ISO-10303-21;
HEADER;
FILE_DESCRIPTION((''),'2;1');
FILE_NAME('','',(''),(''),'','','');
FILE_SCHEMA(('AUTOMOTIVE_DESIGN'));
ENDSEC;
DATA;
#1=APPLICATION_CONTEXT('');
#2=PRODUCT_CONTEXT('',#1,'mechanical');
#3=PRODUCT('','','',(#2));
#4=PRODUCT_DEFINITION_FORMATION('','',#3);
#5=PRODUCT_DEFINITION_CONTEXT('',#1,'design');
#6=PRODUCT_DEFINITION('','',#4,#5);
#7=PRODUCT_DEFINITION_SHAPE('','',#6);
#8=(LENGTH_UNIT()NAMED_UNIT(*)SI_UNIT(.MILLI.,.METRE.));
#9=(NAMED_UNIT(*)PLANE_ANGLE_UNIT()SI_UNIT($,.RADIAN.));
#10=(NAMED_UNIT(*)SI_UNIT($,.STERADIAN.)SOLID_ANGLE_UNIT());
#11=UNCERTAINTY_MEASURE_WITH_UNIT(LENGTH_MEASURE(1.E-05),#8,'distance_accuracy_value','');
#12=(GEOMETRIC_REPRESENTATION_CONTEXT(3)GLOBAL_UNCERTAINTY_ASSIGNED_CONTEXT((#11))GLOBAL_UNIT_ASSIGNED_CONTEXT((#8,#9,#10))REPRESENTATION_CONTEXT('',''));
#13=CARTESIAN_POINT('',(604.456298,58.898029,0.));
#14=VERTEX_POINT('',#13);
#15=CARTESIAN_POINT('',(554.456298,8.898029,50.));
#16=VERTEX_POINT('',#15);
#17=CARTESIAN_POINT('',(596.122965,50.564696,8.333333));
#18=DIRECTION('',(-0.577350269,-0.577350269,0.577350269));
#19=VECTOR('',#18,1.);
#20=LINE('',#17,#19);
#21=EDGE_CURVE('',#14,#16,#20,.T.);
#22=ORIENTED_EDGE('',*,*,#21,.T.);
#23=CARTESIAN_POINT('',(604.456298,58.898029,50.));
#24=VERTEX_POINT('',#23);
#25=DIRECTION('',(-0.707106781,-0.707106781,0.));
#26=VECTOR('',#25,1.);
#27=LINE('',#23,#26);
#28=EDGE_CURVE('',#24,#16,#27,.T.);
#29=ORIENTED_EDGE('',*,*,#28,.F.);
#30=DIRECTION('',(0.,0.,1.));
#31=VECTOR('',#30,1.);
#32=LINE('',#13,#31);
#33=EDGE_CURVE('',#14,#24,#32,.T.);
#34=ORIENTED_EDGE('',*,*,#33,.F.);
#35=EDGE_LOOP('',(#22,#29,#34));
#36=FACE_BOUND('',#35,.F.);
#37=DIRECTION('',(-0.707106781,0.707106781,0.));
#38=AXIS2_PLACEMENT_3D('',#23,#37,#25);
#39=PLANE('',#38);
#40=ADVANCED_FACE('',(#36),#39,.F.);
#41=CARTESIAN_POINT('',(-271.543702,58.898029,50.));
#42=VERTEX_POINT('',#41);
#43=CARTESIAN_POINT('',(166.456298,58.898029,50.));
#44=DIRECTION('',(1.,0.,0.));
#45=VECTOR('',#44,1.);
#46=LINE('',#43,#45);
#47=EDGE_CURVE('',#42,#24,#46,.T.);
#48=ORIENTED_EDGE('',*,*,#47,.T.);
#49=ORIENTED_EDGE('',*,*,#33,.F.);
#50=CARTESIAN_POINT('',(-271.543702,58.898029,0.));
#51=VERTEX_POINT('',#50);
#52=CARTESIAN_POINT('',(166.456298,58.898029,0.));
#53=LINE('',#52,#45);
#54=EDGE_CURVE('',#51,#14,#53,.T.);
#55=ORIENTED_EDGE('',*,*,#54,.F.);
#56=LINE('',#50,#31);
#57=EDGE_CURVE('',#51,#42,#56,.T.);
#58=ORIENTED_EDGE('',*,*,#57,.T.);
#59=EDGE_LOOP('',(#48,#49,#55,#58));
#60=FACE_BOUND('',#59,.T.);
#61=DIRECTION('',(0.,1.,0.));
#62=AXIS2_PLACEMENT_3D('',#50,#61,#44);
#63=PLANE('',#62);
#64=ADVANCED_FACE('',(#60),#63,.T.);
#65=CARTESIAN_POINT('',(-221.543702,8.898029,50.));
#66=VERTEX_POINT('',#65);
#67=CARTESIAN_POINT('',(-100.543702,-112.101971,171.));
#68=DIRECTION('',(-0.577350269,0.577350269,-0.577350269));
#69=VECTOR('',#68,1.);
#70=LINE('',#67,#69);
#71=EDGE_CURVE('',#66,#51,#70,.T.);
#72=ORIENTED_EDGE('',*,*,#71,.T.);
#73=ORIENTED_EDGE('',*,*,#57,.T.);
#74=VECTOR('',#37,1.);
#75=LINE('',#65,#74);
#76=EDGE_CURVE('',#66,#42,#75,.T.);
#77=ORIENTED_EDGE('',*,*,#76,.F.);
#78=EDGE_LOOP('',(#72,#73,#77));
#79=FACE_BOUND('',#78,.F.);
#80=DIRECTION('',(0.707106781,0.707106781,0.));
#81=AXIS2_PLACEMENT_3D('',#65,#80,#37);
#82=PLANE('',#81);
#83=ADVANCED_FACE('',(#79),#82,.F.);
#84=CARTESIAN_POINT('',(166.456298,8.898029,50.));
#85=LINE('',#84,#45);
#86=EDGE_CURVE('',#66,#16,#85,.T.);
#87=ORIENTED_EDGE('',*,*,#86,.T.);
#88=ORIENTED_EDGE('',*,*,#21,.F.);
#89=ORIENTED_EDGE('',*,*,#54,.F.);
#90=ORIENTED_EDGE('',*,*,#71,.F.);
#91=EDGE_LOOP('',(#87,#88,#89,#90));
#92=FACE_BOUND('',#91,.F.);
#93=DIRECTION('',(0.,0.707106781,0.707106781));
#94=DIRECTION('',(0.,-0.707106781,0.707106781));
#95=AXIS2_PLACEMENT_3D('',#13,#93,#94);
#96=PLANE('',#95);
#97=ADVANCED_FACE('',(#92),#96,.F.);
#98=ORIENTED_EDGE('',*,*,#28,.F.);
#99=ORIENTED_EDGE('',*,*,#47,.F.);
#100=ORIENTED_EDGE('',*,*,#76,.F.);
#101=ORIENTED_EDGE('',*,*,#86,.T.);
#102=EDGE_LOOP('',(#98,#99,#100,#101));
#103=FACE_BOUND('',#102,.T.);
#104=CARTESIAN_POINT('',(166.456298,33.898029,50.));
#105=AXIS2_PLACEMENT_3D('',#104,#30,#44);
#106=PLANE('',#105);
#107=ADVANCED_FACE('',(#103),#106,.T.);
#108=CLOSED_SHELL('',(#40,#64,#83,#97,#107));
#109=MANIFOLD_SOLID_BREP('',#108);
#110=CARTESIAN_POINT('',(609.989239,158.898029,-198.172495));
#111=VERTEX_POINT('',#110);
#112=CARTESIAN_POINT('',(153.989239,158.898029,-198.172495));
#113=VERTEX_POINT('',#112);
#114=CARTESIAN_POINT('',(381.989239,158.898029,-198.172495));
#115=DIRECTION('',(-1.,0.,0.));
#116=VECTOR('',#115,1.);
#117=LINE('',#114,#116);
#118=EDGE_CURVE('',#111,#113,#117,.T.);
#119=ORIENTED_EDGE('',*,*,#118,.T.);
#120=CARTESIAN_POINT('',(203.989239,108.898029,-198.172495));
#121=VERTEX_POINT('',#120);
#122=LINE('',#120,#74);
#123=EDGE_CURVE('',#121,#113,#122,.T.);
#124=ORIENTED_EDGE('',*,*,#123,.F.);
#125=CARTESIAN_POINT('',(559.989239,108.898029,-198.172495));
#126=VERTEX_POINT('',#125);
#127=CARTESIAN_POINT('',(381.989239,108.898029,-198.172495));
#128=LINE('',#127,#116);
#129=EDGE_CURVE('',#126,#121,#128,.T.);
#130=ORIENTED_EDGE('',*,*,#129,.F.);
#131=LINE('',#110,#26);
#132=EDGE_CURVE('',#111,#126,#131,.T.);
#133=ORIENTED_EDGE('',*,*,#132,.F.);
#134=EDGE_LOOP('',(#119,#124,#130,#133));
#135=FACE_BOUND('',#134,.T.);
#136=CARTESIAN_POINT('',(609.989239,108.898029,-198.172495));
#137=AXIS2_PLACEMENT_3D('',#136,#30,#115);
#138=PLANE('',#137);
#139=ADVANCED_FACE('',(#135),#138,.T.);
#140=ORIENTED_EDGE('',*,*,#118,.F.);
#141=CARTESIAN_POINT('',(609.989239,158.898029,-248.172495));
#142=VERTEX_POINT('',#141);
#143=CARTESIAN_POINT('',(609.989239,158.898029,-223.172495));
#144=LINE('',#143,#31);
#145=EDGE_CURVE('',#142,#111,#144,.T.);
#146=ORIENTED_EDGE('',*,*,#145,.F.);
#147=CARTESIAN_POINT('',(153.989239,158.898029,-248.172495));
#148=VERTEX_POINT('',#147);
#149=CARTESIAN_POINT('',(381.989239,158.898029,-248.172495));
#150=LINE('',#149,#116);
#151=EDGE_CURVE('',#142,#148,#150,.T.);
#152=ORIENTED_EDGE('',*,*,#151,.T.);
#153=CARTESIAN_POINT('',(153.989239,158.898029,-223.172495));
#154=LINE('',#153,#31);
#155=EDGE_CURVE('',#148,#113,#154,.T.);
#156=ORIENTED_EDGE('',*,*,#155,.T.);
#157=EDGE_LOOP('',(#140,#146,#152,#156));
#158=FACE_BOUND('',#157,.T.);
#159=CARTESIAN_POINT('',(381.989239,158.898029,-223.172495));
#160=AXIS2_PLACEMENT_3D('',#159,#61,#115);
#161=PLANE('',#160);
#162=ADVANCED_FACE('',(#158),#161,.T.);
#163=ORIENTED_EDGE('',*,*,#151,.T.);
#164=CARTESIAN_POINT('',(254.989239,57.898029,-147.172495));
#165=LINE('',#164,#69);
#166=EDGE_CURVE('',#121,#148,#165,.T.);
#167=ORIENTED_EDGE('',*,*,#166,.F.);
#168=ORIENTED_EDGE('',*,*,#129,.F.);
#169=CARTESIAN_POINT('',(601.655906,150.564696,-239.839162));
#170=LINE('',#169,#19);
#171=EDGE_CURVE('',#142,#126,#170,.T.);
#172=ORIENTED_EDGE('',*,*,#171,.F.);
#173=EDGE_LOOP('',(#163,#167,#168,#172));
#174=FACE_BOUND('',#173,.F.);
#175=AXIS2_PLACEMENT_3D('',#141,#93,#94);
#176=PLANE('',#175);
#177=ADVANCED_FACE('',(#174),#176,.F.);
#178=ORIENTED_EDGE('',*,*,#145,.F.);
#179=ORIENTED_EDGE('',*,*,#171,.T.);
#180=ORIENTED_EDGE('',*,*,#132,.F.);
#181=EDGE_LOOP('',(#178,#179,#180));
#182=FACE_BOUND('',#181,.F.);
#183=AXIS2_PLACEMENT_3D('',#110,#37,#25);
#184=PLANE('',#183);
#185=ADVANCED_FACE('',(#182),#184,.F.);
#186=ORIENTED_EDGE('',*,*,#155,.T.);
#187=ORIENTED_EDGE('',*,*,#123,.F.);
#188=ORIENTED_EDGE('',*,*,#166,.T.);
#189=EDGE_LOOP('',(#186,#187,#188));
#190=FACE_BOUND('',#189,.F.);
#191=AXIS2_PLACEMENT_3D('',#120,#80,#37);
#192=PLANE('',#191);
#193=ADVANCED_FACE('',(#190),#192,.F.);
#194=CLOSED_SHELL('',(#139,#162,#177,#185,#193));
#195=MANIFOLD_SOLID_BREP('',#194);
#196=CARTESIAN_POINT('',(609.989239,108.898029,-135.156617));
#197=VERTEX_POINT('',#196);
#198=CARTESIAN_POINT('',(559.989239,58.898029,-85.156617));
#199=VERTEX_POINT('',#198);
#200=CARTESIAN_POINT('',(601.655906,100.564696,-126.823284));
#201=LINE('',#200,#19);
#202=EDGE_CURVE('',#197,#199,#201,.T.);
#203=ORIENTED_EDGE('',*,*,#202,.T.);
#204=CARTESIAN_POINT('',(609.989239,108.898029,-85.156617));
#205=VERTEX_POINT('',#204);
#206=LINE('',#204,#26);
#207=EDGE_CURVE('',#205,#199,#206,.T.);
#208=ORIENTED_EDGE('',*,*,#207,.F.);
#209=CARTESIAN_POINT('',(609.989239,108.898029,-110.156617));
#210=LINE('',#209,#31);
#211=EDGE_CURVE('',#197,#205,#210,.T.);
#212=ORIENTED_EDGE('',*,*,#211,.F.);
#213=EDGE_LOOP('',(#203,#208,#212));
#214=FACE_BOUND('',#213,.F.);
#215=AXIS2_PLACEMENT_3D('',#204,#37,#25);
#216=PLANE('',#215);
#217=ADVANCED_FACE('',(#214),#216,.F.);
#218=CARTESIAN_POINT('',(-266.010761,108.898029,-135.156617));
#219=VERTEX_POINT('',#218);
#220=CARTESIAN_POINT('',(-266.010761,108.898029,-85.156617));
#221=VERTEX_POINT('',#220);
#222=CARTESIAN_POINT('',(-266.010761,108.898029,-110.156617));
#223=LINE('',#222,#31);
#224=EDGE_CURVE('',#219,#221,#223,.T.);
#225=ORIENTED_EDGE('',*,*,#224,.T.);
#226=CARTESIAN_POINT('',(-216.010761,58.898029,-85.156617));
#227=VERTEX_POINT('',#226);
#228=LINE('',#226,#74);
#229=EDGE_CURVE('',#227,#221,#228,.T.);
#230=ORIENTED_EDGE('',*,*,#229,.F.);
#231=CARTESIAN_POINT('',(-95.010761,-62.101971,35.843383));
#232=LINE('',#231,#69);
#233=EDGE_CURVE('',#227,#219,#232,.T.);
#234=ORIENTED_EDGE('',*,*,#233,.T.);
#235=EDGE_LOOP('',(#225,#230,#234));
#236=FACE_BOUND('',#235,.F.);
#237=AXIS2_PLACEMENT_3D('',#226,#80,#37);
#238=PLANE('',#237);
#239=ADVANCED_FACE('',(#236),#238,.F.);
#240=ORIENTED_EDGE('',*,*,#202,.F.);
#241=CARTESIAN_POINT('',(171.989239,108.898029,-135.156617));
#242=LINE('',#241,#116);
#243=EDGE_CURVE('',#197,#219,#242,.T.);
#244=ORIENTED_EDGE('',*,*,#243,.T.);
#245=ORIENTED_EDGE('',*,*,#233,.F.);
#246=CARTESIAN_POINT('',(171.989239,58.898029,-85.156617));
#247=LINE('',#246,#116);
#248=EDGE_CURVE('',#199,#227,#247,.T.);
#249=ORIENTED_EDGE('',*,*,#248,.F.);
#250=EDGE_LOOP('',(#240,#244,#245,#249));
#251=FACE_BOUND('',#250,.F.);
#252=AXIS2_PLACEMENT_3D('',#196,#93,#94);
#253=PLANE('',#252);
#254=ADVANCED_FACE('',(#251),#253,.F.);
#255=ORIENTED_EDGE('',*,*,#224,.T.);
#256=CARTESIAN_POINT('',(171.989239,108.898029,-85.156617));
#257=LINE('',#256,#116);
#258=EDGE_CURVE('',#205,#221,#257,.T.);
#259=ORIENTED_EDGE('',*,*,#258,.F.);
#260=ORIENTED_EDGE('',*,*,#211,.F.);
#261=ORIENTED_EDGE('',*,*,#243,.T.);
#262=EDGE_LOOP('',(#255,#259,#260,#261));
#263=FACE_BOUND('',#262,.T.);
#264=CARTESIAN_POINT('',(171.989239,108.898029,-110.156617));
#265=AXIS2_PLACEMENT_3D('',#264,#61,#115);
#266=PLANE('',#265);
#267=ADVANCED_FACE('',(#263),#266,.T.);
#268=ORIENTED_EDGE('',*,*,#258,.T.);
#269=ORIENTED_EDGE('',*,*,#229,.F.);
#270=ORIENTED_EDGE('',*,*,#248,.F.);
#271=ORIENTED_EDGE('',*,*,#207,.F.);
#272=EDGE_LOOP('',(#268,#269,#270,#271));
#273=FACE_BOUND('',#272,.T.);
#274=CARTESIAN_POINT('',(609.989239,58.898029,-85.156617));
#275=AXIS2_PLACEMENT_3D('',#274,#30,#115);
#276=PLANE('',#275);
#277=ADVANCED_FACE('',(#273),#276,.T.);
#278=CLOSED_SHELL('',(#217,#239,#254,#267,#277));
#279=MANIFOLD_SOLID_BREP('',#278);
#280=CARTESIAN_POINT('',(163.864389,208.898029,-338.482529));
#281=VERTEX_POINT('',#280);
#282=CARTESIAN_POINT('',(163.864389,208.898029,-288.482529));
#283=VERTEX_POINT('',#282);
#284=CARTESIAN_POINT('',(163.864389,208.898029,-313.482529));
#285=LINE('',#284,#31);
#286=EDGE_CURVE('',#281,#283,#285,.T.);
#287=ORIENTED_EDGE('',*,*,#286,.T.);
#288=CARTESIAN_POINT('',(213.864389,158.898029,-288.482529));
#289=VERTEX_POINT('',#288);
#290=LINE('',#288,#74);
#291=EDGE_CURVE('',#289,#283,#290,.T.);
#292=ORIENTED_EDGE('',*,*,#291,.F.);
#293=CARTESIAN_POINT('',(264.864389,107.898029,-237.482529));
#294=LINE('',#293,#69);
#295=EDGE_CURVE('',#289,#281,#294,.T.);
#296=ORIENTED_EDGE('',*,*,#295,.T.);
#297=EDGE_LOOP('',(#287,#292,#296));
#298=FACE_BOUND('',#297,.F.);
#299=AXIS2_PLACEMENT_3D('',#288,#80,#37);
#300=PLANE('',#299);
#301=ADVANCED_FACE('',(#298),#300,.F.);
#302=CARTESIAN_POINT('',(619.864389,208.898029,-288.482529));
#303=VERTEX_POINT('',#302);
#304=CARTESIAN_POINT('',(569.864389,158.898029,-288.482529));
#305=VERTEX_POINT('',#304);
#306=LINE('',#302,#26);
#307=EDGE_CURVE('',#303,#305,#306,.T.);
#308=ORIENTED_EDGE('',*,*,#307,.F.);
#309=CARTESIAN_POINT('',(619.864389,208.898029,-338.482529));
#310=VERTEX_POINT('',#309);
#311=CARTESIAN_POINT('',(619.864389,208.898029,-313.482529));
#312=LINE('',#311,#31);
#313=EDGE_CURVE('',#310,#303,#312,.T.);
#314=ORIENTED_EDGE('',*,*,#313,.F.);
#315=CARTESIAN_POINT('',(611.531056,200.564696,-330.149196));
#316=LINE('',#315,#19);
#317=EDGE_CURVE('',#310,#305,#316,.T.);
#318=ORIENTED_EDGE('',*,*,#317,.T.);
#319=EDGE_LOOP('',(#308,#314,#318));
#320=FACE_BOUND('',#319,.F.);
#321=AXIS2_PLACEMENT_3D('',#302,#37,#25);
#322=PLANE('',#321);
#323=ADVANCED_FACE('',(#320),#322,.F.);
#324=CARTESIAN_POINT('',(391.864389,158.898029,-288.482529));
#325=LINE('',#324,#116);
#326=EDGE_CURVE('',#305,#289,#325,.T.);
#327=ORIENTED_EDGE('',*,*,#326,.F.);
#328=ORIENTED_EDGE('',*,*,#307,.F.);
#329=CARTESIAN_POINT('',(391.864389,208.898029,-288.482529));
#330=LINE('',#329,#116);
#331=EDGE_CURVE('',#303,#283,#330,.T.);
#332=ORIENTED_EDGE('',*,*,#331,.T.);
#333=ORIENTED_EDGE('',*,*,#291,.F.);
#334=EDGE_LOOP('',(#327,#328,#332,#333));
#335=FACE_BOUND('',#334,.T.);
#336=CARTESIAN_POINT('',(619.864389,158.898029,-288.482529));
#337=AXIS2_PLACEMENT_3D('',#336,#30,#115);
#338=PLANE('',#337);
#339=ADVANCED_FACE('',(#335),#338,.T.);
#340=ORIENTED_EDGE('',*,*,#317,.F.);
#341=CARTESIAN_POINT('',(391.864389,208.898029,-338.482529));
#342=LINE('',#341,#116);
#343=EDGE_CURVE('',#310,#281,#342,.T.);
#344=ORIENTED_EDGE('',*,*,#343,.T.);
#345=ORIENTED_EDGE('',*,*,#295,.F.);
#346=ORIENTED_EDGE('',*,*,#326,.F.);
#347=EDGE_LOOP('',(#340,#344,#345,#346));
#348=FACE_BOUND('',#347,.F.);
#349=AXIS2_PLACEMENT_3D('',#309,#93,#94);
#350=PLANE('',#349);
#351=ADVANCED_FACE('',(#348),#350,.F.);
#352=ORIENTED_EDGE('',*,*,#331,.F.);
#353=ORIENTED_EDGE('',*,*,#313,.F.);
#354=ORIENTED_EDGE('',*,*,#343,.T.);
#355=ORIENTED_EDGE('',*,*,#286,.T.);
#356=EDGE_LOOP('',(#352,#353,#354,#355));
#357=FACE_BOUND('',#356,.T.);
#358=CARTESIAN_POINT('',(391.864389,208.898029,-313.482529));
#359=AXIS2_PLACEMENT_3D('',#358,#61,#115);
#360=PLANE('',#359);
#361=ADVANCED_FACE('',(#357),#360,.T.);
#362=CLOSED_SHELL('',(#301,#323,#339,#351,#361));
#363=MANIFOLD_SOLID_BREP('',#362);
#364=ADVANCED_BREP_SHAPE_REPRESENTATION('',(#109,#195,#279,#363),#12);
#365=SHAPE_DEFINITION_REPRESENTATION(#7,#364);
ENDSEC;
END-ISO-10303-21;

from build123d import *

# Parameters (mm, degrees)
F0_W      = 876
F0_H      = 50
F1_DEPTH  = 50
F3_DEPTH  = 876.001
F4_W      = 876
F4_H      = 50
F5_DEPTH  = 50
F7_DEPTH  = 876
F8_W      = 456
F8_H      = 50
F9_DEPTH  = 50
F11_DEPTH = 876
F12_W     = 456
F12_H     = 50
F13_DEPTH = 50
F15_DEPTH = 456
F17_DEPTH = 388.483529
F19_DEPTH = 253.326912
F21_DEPTH = 140.311034
F23_DEPTH = 50


with BuildPart() as f1:
    # F0 (on Top) → F1 (new body)
    with BuildSketch(Plane.XY):
        with Locations((166.456298, 33.898029)):
            Rectangle(F0_W, F0_H)
    extrude(amount=F1_DEPTH)

    # F2 (on face) → F3 (cut, through all)
    with BuildSketch(Plane.YZ.offset(604.456298)):
        Polygon((58.898029, 0), (8.898029, 50), (8.898029, 0), align=None)
    extrude(amount=-F3_DEPTH, mode=Mode.SUBTRACT)

    # F16 (on face) → F17 (cut, through all)
    with BuildSketch(Plane.XY.offset(50)):
        Polygon((-221.543702, 8.898029), (-271.543702, 58.898029), (-271.543702, 8.898029), align=None)
        Polygon((604.456298, 8.898029), (604.456298, 58.898029), (554.456298, 8.898029), align=None)
    extrude(amount=-F17_DEPTH, mode=Mode.SUBTRACT)


with BuildPart() as f5:
    # F4 (on face) → F5 (new body)
    with BuildSketch(Plane(origin=(0, 58.898029, 0), x_dir=(-1, 0, 0), z_dir=(0, 1, 0))):
        with Locations((-171.989239, -110.156617)):
            Rectangle(F4_W, F4_H)
    extrude(amount=F5_DEPTH)

    # F6 (on face) → F7 (cut)
    with BuildSketch(Plane.YZ.offset(609.989239)):
        Polygon((108.898029, -135.156617), (58.898029, -85.156617), (58.898029, -135.156617), align=None)
    extrude(amount=-F7_DEPTH, mode=Mode.SUBTRACT)

    # F18 (on face) → F19 (cut, through all)
    with BuildSketch(Plane.XY.offset(-85.156617)):
        Polygon((-216.010761, 58.898029), (-266.010761, 108.898029), (-266.010761, 58.898029), align=None)
        Polygon((609.989239, 58.898029), (609.989239, 108.898029), (559.989239, 58.898029), align=None)
    extrude(amount=-F19_DEPTH, mode=Mode.SUBTRACT)


with BuildPart() as f9:
    # F8 (on face) → F9 (new body)
    with BuildSketch(Plane(origin=(0, 108.898029, 0), x_dir=(-1, 0, 0), z_dir=(0, 1, 0))):
        with Locations((-381.989239, -223.172495)):
            Rectangle(F8_W, F8_H)
    extrude(amount=F9_DEPTH)

    # F10 (on face) → F11 (cut)
    with BuildSketch(Plane.YZ.offset(609.989239)):
        Polygon((158.898029, -248.172495), (108.898029, -198.172495), (108.898029, -248.172495), align=None)
    extrude(amount=-F11_DEPTH, mode=Mode.SUBTRACT)

    # F20 (on face) → F21 (cut, through all)
    with BuildSketch(Plane.XY.offset(-198.172495)):
        Polygon((203.989239, 108.898029), (153.989239, 158.898029), (153.989239, 108.898029), align=None)
        Polygon((609.989239, 108.898029), (609.989239, 158.898029), (559.989239, 108.898029), align=None)
    extrude(amount=-F21_DEPTH, mode=Mode.SUBTRACT)


with BuildPart() as f13:
    # F12 (on face) → F13 (new body)
    with BuildSketch(Plane(origin=(0, 158.898029, 0), x_dir=(-1, 0, 0), z_dir=(0, 1, 0))):
        with Locations((-391.864389, -313.482529)):
            Rectangle(F12_W, F12_H)
    extrude(amount=F13_DEPTH)

    # F14 (on face) → F15 (cut)
    with BuildSketch(Plane.YZ.offset(619.864389)):
        Polygon((208.898029, -338.482529), (158.898029, -288.482529), (158.898029, -338.482529), align=None)
    extrude(amount=-F15_DEPTH, mode=Mode.SUBTRACT)

    # F22 (on face) → F23 (cut)
    with BuildSketch(Plane.XY.offset(-288.482529)):
        Polygon((213.864389, 158.898029), (163.864389, 208.898029), (163.864389, 158.898029), align=None)
        Polygon((619.864389, 158.898029), (619.864389, 208.898029), (569.864389, 158.898029), align=None)
    extrude(amount=-F23_DEPTH, mode=Mode.SUBTRACT)


solid = Compound([f1.part, f5.part, f9.part, f13.part])
